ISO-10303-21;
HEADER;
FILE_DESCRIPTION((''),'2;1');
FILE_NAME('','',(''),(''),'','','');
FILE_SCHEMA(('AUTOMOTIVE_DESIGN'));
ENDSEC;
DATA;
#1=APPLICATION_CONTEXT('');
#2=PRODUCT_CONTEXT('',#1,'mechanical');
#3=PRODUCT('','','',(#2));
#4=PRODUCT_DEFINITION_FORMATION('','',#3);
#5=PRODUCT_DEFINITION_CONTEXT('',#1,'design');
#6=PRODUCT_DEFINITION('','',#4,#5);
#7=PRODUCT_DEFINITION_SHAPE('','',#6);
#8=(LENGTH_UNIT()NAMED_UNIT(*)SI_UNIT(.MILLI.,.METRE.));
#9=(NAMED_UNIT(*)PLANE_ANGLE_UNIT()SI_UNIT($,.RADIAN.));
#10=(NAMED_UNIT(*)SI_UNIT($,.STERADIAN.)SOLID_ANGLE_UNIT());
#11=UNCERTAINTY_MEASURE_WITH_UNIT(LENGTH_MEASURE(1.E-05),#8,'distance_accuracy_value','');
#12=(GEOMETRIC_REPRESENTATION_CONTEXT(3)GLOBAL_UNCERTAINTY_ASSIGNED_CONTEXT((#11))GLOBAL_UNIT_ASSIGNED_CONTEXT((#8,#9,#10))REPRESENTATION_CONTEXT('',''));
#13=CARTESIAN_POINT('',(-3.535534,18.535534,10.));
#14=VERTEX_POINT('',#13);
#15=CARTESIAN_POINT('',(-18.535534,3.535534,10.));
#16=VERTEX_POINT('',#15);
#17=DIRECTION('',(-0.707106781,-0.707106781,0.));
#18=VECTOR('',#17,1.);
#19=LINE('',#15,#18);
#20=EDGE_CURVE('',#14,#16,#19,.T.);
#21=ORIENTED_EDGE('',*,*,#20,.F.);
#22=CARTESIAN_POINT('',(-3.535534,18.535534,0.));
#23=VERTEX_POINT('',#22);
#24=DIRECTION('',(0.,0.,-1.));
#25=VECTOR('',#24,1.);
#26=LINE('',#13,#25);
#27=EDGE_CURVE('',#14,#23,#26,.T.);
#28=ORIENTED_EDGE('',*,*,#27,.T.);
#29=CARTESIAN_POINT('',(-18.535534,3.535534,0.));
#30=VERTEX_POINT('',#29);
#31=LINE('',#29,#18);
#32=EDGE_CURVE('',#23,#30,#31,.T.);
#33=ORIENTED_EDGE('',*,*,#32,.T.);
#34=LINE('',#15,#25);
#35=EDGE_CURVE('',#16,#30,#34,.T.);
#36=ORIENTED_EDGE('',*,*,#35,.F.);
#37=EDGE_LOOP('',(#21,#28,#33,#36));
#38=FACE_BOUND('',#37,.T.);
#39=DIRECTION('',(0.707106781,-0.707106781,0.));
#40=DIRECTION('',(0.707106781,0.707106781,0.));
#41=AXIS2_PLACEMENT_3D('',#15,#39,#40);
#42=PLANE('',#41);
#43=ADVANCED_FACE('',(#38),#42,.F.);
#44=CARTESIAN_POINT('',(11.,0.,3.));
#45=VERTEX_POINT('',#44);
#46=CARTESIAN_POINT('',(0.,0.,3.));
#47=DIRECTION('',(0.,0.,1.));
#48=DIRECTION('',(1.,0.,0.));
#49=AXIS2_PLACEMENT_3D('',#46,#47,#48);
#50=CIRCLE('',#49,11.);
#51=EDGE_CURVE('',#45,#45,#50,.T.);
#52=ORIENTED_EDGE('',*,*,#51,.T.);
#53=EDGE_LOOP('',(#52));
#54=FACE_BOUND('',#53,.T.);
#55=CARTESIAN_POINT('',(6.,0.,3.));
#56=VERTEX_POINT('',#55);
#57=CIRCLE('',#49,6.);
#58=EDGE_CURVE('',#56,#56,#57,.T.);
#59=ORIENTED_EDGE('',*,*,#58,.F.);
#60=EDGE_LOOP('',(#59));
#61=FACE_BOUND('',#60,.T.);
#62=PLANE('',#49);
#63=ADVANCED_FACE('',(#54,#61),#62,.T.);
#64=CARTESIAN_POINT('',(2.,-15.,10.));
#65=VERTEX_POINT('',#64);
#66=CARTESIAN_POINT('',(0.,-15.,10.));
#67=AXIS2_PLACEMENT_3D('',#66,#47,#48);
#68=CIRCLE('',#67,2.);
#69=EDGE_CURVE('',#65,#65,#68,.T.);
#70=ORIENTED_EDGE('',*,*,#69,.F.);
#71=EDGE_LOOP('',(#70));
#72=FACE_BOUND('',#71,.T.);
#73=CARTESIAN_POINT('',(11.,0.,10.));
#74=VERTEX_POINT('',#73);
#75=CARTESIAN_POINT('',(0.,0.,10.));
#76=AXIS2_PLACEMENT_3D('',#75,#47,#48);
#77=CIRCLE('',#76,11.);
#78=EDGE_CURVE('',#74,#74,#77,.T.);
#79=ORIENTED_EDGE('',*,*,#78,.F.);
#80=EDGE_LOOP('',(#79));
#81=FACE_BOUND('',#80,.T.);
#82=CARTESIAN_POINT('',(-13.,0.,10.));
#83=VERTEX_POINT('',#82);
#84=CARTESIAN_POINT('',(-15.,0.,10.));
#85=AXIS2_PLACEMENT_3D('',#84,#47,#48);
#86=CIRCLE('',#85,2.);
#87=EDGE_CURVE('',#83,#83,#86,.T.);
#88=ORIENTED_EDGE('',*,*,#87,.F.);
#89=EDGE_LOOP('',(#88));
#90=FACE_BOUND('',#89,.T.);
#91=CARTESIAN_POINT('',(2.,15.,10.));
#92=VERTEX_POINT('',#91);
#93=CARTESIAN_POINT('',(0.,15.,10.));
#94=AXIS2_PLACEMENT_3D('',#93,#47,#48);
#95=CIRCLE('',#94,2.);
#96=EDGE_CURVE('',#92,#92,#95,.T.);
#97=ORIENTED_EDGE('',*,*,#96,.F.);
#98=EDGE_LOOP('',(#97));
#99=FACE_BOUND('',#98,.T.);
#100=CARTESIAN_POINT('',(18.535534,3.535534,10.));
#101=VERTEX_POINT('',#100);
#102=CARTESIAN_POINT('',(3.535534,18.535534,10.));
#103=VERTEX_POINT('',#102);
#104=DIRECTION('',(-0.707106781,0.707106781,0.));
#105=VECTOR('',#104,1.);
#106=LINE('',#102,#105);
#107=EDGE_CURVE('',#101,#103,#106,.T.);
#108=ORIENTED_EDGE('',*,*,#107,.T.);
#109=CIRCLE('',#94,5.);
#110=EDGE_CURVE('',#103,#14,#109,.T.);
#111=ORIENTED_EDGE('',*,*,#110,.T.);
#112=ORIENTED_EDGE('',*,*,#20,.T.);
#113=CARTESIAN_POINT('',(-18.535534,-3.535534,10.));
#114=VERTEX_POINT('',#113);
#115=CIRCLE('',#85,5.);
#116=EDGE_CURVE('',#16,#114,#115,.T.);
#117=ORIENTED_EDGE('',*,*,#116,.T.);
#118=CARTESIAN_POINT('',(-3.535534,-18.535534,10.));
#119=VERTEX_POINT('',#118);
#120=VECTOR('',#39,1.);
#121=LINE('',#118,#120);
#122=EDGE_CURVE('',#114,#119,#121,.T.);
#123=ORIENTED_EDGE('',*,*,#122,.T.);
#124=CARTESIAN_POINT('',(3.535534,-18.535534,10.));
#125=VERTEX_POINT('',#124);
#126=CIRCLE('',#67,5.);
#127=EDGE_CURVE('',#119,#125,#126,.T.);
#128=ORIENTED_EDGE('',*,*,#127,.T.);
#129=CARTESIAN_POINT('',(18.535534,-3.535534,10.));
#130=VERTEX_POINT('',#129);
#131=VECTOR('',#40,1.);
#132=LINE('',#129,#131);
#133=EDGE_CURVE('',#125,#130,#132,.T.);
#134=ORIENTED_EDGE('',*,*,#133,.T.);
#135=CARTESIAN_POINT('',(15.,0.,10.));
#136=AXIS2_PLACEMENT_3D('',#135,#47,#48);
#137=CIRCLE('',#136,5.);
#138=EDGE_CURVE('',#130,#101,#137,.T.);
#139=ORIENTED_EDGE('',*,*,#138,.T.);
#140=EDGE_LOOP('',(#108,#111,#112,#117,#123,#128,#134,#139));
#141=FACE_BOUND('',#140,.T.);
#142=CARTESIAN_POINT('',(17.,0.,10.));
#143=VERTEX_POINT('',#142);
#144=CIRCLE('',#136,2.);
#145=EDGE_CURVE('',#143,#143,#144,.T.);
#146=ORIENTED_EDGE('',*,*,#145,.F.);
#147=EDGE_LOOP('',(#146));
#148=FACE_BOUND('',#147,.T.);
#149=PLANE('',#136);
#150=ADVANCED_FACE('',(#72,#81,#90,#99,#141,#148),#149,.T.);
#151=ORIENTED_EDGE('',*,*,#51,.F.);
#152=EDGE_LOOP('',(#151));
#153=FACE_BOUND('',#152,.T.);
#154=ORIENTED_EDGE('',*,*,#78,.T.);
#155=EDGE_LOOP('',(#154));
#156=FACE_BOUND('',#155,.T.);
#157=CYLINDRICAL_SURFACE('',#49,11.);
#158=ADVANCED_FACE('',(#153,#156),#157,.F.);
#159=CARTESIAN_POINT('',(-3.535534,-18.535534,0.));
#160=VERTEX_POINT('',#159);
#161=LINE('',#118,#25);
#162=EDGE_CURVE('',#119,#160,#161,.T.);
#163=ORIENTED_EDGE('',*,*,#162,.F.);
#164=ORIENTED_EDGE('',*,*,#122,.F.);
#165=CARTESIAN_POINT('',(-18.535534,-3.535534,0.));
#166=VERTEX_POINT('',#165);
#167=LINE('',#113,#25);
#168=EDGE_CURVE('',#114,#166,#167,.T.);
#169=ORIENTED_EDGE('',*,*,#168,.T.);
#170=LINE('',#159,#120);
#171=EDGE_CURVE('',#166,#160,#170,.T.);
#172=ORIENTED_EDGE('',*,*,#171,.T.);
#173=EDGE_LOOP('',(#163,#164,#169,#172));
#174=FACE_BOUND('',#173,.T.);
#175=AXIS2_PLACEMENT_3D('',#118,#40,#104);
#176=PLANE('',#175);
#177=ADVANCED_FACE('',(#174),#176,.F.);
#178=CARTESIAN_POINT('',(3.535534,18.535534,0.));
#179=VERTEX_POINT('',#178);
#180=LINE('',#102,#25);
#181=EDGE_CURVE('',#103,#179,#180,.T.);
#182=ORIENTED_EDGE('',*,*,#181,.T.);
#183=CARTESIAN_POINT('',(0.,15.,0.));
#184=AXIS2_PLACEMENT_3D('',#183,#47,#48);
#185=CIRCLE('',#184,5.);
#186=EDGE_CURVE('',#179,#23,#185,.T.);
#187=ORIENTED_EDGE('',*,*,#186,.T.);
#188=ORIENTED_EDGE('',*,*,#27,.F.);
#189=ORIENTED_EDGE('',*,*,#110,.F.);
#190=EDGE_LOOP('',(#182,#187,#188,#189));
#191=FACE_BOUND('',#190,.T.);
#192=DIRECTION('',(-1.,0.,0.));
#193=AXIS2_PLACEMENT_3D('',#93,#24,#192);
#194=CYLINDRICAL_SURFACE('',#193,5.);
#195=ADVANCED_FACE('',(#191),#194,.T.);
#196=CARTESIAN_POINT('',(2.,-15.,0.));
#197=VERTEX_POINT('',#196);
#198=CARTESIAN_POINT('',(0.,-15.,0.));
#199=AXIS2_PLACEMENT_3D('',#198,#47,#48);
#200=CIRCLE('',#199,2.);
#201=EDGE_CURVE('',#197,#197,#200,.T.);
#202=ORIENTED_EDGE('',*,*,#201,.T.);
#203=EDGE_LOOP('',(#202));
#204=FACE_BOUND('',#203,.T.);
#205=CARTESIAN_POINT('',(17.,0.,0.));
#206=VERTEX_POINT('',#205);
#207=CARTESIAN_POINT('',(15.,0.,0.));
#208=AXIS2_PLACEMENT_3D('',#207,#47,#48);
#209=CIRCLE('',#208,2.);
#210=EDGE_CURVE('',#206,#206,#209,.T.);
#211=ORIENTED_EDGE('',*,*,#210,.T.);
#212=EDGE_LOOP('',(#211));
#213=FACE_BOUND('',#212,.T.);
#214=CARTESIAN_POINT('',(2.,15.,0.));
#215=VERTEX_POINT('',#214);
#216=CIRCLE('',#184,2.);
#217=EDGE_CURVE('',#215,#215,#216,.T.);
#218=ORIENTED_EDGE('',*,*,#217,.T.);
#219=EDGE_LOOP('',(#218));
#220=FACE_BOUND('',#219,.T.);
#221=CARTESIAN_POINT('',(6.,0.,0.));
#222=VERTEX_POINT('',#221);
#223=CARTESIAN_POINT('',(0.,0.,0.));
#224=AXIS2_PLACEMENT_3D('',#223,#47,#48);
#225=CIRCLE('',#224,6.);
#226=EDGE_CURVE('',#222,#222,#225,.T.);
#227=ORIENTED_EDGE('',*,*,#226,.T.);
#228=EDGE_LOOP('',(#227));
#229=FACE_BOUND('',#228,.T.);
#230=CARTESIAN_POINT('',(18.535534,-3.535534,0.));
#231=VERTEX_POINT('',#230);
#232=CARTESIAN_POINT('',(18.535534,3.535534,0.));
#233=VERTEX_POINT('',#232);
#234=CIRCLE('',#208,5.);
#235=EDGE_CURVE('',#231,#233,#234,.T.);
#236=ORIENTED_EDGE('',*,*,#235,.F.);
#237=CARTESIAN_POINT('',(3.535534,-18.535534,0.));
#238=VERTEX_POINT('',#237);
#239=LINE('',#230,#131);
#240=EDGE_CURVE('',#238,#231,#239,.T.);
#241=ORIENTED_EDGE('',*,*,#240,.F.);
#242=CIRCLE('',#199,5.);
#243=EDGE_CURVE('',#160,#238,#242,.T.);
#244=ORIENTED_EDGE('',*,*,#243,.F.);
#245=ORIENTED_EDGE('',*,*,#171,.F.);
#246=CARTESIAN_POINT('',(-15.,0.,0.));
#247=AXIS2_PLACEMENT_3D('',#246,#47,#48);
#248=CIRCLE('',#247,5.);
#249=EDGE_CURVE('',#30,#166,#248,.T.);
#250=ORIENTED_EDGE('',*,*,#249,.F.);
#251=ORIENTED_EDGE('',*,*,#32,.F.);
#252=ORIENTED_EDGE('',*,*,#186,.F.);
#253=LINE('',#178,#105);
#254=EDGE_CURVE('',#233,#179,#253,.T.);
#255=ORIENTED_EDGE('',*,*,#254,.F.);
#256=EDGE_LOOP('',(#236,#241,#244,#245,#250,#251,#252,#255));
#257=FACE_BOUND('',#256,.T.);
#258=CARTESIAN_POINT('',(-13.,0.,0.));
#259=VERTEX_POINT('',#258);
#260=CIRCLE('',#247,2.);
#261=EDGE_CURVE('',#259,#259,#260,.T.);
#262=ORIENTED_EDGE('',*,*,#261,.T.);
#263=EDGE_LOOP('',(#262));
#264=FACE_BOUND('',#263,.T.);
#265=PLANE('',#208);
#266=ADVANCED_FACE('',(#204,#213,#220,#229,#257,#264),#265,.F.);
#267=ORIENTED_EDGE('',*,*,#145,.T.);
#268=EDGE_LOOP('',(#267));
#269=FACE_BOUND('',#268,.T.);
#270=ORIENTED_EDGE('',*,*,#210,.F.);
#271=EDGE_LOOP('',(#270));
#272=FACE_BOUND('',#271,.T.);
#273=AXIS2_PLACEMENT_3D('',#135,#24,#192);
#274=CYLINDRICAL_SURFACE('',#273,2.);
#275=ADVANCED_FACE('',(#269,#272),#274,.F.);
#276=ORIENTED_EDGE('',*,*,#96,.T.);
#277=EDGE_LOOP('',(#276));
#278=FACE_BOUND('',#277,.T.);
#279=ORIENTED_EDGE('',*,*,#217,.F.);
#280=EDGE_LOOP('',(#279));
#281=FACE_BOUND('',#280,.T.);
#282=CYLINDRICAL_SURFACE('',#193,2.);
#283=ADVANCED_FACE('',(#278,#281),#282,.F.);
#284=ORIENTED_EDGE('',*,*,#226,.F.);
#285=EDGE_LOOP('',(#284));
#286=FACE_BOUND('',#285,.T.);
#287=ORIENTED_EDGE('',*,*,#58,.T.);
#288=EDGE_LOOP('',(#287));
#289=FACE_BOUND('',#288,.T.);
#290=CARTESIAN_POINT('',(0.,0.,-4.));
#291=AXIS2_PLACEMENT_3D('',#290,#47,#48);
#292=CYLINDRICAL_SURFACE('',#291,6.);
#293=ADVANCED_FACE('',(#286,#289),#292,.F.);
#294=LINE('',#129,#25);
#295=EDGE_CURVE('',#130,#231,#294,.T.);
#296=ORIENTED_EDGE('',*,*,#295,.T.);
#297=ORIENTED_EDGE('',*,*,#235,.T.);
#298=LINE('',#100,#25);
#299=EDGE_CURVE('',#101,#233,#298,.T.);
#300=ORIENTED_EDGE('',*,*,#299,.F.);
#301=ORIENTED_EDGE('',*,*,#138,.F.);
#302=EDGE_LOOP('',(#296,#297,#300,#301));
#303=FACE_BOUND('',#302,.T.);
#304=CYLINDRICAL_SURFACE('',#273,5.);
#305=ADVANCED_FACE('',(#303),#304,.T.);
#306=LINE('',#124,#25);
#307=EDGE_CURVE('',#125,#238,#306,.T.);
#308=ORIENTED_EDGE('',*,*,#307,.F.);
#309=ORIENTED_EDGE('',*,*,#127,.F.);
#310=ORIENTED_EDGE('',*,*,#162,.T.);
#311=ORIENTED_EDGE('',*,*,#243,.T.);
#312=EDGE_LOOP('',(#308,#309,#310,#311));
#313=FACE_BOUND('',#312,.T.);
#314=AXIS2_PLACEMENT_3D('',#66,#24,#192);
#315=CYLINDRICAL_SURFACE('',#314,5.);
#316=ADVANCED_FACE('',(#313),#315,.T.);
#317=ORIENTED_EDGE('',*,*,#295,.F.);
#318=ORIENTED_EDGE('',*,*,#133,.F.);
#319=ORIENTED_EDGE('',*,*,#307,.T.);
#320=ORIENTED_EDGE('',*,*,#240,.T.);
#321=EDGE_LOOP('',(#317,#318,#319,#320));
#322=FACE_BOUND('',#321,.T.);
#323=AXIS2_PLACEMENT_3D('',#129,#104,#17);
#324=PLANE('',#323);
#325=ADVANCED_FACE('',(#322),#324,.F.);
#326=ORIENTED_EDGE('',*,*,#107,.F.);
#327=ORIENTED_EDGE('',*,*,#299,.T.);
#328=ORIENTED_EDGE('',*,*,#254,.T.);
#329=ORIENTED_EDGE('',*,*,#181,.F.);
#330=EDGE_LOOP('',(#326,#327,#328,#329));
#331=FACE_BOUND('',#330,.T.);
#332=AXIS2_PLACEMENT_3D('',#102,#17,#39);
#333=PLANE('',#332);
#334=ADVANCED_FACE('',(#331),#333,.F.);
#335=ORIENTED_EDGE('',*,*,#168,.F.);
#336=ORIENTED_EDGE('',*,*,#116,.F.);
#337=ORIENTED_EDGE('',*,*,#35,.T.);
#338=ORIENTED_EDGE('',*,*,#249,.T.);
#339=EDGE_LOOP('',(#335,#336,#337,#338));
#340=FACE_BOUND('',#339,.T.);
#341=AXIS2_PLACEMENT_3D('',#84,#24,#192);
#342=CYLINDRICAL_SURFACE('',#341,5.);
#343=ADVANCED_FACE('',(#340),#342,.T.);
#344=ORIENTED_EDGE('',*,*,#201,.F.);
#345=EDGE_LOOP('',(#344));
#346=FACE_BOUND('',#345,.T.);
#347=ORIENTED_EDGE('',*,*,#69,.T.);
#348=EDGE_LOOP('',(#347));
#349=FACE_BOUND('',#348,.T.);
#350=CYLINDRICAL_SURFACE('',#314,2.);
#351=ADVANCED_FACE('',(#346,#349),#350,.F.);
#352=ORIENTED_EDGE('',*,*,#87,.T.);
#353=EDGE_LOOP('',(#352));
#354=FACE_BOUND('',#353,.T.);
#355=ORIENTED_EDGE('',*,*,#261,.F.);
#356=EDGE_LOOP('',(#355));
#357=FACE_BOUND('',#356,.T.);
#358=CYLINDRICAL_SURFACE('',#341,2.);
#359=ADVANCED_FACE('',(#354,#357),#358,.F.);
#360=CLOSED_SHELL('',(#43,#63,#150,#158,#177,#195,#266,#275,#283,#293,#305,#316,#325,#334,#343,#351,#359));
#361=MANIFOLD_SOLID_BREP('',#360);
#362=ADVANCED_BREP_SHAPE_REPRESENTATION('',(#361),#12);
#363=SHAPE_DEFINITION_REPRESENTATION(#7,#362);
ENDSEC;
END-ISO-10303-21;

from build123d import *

# Parameters (mm, degrees)
SKETCH1_R           = 2
BOSS_EXTRUDE1_DEPTH = 10
SKETCH2_R           = 11
CUT_EXTRUDE1_DEPTH  = 7
SKETCH3_R           = 6
CUT_EXTRUDE2_DEPTH  = 7


with BuildPart() as part:
    # Sketch1 → Boss-Extrude1 (new body)
    with BuildSketch(Plane.XY):
        with BuildLine():
            Line((-18.535533906, 3.535533906), (-3.535533906, 18.535533906))
            ThreePointArc((-3.535533906, 18.535533906), (0, 20), (3.535533906, 18.535533906))
            Line((3.535533906, 18.535533906), (18.535533906, 3.535533906))
            ThreePointArc((18.535533906, 3.535533906), (20, 0), (18.535533906, -3.535533906))
            Line((18.535533906, -3.535533906), (3.535533906, -18.535533906))
            ThreePointArc((3.535533906, -18.535533906), (0, -20), (-3.535533906, -18.535533906))
            Line((-3.535533906, -18.535533906), (-18.535533906, -3.535533906))
            ThreePointArc((-18.535533906, -3.535533906), (-20, 0), (-18.535533906, 3.535533906))
        make_face()
        with Locations((0, 15)):
            Circle(SKETCH1_R, mode=Mode.SUBTRACT)
        with Locations((15, 0)):
            Circle(SKETCH1_R, mode=Mode.SUBTRACT)
        with Locations((0, -15)):
            Circle(SKETCH1_R, mode=Mode.SUBTRACT)
        with Locations((-15, 0)):
            Circle(SKETCH1_R, mode=Mode.SUBTRACT)
    extrude(amount=BOSS_EXTRUDE1_DEPTH)

    # Sketch2 → Cut-Extrude1 (cut)
    with BuildSketch(Plane.XY.offset(10)):
        Circle(SKETCH2_R)
    extrude(amount=-CUT_EXTRUDE1_DEPTH, mode=Mode.SUBTRACT)

    # Sketch3 → Cut-Extrude2 (cut)
    with BuildSketch(Plane.XY.offset(3)):
        Circle(SKETCH3_R)
    extrude(amount=-CUT_EXTRUDE2_DEPTH, mode=Mode.SUBTRACT)


solid = part.part
